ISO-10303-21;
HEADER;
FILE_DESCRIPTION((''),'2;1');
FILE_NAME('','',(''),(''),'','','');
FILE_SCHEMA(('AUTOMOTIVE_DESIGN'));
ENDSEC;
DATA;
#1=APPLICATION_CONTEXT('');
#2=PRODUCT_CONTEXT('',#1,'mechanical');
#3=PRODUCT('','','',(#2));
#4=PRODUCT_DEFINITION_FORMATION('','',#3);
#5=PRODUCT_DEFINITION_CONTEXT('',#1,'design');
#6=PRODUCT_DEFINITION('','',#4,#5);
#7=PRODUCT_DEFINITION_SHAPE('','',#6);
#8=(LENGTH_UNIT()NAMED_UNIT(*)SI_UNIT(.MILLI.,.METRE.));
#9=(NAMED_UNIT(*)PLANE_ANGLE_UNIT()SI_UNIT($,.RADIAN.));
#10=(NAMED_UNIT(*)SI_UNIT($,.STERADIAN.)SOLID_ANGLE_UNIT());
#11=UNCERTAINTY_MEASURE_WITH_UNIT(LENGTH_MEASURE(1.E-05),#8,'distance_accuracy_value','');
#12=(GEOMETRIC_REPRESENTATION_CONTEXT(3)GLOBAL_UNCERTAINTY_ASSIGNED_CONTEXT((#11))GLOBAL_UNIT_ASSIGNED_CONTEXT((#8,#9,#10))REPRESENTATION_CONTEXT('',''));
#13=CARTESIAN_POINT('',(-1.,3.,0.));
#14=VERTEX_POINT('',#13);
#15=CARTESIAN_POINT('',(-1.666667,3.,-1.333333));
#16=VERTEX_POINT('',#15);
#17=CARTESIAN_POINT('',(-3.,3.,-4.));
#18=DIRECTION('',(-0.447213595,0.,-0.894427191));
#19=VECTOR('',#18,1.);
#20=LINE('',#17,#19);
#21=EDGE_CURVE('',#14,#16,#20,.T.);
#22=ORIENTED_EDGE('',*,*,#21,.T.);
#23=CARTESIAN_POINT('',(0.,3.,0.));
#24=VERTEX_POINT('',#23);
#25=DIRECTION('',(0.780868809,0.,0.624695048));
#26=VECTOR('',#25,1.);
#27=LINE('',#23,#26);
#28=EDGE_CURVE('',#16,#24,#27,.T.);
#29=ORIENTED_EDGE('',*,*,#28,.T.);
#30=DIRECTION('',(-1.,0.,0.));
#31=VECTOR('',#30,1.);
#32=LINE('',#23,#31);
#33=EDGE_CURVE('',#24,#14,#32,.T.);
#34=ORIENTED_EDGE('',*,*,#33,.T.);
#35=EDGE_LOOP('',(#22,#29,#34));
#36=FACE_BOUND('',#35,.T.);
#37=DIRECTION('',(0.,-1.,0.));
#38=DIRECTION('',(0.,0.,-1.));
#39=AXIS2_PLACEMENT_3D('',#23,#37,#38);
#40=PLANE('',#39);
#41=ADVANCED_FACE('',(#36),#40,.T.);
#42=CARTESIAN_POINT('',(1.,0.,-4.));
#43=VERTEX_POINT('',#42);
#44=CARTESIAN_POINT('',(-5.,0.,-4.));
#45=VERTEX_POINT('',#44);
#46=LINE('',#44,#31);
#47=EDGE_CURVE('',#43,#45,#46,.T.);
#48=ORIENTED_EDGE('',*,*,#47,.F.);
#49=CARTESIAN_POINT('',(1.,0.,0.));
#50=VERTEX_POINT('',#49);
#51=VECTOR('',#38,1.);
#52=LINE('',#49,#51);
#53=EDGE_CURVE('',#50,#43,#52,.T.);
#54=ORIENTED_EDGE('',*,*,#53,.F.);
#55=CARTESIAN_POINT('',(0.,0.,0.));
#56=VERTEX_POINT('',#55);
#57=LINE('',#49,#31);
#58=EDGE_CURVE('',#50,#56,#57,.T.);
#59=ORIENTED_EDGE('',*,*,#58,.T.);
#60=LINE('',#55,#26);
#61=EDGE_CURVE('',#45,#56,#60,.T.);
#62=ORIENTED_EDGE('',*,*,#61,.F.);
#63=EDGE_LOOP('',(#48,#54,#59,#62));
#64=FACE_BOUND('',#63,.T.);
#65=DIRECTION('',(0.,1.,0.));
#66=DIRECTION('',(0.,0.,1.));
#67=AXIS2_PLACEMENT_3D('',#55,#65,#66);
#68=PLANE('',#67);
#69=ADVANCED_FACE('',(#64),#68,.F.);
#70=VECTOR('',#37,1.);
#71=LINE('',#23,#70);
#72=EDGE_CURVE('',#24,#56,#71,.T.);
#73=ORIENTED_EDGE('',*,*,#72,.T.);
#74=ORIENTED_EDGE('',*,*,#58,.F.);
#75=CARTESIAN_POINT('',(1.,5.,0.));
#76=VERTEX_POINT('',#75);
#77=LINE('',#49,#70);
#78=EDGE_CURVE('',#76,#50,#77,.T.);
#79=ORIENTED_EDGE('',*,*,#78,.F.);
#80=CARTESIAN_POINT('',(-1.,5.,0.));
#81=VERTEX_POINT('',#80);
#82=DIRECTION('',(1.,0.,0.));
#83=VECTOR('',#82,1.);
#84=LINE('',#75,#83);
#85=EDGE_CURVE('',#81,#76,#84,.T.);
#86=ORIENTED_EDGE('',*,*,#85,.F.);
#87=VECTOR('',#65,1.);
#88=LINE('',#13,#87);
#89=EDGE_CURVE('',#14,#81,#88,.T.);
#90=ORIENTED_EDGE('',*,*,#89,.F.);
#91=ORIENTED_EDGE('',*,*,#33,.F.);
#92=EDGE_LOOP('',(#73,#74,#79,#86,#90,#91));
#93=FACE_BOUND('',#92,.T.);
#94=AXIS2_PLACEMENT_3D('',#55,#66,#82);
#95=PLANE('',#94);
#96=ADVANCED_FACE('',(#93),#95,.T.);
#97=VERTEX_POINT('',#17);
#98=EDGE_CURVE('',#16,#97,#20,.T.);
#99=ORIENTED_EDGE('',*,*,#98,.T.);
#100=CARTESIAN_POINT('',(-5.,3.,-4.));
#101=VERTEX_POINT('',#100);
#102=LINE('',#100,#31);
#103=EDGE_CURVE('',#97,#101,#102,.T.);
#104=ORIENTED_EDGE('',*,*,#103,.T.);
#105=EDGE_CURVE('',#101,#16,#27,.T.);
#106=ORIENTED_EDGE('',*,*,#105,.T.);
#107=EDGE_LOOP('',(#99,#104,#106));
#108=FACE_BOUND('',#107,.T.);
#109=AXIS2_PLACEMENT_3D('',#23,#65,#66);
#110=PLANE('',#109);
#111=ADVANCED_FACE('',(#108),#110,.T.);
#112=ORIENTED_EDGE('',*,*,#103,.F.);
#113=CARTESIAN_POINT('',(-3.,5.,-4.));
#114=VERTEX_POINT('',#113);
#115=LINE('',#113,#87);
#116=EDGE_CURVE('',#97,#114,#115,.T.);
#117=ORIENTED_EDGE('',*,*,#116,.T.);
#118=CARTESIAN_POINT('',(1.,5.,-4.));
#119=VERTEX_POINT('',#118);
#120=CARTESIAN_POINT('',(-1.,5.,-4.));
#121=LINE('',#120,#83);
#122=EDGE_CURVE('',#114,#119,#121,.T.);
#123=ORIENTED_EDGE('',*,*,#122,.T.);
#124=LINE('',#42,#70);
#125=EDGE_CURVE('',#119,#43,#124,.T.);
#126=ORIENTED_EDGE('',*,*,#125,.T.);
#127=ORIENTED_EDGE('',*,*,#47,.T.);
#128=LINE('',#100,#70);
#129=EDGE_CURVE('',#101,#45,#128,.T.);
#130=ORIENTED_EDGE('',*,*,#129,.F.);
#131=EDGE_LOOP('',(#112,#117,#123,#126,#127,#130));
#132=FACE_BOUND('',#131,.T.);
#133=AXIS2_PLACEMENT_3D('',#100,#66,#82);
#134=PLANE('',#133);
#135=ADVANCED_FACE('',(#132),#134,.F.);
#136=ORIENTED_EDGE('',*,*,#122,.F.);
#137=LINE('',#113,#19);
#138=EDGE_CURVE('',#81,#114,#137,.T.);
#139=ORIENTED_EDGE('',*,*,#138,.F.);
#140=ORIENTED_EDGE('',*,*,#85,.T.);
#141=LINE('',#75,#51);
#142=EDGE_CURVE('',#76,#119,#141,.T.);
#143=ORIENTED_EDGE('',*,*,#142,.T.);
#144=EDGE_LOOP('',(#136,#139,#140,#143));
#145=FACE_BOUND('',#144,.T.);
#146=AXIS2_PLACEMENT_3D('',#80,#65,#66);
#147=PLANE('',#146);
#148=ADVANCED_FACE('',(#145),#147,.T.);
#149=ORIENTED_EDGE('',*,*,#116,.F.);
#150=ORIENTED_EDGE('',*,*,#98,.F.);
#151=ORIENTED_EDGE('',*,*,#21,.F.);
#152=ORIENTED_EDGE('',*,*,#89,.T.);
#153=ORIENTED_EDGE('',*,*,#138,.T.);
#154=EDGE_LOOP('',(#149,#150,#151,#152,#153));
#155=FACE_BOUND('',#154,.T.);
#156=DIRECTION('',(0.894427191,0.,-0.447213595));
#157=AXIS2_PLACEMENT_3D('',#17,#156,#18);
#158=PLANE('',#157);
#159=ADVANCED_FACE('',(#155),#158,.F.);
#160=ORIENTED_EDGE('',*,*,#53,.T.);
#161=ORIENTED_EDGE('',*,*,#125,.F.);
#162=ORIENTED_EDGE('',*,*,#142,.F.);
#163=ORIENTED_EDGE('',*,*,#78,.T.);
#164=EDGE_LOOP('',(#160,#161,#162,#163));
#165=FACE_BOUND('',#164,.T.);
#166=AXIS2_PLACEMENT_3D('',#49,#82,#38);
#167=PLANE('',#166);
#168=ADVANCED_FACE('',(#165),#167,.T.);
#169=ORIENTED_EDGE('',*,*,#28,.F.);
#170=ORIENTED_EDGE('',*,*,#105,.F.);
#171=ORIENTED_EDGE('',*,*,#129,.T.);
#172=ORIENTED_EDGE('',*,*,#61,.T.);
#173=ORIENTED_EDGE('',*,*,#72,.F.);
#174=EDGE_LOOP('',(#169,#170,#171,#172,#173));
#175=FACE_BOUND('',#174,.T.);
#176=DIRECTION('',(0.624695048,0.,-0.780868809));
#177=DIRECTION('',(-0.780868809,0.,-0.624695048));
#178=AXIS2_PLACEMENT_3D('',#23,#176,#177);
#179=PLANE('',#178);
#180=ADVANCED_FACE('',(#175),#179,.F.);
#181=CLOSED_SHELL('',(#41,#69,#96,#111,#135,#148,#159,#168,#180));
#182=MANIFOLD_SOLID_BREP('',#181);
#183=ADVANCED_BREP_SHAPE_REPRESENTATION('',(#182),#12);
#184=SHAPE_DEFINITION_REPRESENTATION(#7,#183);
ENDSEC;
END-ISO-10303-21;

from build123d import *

# Parameters (mm, degrees)
BOSS_EXTRUDE1_DEPTH = 3
BOSS_EXTRUDE2_DEPTH = 4
CUT_EXTRUDE2_DEPTH  = 2


with BuildPart() as part:
    # Sketch1 → Boss-Extrude1 (new body)
    with BuildSketch(Plane(origin=(0, 0, 0), x_dir=(1, 0, 0), z_dir=(0, 1, 0))):
        Polygon((0, 0), (-5, 4), (0, 4), align=None)
    extrude(amount=BOSS_EXTRUDE1_DEPTH)

    # Sketch2 → Boss-Extrude2 (add)
    with BuildSketch(Plane(origin=(0, 0, -4), x_dir=(-1, 0, 0), z_dir=(0, 0, -1))):
        Polygon((1, 5), (3, 5), (3, 3), (0, 3), (0, 0), (-1, 0), (-1, 5), align=None)
    extrude(amount=-BOSS_EXTRUDE2_DEPTH)

    # Sketch4 → Cut-Extrude2 (cut)
    with BuildSketch(Plane(origin=(0, 5, 0), x_dir=(1, 0, 0), z_dir=(0, 1, 0))):
        Polygon((-3, 4), (-1, 0), (-3, 0), align=None)
    extrude(amount=-CUT_EXTRUDE2_DEPTH, mode=Mode.SUBTRACT)


solid = part.part
